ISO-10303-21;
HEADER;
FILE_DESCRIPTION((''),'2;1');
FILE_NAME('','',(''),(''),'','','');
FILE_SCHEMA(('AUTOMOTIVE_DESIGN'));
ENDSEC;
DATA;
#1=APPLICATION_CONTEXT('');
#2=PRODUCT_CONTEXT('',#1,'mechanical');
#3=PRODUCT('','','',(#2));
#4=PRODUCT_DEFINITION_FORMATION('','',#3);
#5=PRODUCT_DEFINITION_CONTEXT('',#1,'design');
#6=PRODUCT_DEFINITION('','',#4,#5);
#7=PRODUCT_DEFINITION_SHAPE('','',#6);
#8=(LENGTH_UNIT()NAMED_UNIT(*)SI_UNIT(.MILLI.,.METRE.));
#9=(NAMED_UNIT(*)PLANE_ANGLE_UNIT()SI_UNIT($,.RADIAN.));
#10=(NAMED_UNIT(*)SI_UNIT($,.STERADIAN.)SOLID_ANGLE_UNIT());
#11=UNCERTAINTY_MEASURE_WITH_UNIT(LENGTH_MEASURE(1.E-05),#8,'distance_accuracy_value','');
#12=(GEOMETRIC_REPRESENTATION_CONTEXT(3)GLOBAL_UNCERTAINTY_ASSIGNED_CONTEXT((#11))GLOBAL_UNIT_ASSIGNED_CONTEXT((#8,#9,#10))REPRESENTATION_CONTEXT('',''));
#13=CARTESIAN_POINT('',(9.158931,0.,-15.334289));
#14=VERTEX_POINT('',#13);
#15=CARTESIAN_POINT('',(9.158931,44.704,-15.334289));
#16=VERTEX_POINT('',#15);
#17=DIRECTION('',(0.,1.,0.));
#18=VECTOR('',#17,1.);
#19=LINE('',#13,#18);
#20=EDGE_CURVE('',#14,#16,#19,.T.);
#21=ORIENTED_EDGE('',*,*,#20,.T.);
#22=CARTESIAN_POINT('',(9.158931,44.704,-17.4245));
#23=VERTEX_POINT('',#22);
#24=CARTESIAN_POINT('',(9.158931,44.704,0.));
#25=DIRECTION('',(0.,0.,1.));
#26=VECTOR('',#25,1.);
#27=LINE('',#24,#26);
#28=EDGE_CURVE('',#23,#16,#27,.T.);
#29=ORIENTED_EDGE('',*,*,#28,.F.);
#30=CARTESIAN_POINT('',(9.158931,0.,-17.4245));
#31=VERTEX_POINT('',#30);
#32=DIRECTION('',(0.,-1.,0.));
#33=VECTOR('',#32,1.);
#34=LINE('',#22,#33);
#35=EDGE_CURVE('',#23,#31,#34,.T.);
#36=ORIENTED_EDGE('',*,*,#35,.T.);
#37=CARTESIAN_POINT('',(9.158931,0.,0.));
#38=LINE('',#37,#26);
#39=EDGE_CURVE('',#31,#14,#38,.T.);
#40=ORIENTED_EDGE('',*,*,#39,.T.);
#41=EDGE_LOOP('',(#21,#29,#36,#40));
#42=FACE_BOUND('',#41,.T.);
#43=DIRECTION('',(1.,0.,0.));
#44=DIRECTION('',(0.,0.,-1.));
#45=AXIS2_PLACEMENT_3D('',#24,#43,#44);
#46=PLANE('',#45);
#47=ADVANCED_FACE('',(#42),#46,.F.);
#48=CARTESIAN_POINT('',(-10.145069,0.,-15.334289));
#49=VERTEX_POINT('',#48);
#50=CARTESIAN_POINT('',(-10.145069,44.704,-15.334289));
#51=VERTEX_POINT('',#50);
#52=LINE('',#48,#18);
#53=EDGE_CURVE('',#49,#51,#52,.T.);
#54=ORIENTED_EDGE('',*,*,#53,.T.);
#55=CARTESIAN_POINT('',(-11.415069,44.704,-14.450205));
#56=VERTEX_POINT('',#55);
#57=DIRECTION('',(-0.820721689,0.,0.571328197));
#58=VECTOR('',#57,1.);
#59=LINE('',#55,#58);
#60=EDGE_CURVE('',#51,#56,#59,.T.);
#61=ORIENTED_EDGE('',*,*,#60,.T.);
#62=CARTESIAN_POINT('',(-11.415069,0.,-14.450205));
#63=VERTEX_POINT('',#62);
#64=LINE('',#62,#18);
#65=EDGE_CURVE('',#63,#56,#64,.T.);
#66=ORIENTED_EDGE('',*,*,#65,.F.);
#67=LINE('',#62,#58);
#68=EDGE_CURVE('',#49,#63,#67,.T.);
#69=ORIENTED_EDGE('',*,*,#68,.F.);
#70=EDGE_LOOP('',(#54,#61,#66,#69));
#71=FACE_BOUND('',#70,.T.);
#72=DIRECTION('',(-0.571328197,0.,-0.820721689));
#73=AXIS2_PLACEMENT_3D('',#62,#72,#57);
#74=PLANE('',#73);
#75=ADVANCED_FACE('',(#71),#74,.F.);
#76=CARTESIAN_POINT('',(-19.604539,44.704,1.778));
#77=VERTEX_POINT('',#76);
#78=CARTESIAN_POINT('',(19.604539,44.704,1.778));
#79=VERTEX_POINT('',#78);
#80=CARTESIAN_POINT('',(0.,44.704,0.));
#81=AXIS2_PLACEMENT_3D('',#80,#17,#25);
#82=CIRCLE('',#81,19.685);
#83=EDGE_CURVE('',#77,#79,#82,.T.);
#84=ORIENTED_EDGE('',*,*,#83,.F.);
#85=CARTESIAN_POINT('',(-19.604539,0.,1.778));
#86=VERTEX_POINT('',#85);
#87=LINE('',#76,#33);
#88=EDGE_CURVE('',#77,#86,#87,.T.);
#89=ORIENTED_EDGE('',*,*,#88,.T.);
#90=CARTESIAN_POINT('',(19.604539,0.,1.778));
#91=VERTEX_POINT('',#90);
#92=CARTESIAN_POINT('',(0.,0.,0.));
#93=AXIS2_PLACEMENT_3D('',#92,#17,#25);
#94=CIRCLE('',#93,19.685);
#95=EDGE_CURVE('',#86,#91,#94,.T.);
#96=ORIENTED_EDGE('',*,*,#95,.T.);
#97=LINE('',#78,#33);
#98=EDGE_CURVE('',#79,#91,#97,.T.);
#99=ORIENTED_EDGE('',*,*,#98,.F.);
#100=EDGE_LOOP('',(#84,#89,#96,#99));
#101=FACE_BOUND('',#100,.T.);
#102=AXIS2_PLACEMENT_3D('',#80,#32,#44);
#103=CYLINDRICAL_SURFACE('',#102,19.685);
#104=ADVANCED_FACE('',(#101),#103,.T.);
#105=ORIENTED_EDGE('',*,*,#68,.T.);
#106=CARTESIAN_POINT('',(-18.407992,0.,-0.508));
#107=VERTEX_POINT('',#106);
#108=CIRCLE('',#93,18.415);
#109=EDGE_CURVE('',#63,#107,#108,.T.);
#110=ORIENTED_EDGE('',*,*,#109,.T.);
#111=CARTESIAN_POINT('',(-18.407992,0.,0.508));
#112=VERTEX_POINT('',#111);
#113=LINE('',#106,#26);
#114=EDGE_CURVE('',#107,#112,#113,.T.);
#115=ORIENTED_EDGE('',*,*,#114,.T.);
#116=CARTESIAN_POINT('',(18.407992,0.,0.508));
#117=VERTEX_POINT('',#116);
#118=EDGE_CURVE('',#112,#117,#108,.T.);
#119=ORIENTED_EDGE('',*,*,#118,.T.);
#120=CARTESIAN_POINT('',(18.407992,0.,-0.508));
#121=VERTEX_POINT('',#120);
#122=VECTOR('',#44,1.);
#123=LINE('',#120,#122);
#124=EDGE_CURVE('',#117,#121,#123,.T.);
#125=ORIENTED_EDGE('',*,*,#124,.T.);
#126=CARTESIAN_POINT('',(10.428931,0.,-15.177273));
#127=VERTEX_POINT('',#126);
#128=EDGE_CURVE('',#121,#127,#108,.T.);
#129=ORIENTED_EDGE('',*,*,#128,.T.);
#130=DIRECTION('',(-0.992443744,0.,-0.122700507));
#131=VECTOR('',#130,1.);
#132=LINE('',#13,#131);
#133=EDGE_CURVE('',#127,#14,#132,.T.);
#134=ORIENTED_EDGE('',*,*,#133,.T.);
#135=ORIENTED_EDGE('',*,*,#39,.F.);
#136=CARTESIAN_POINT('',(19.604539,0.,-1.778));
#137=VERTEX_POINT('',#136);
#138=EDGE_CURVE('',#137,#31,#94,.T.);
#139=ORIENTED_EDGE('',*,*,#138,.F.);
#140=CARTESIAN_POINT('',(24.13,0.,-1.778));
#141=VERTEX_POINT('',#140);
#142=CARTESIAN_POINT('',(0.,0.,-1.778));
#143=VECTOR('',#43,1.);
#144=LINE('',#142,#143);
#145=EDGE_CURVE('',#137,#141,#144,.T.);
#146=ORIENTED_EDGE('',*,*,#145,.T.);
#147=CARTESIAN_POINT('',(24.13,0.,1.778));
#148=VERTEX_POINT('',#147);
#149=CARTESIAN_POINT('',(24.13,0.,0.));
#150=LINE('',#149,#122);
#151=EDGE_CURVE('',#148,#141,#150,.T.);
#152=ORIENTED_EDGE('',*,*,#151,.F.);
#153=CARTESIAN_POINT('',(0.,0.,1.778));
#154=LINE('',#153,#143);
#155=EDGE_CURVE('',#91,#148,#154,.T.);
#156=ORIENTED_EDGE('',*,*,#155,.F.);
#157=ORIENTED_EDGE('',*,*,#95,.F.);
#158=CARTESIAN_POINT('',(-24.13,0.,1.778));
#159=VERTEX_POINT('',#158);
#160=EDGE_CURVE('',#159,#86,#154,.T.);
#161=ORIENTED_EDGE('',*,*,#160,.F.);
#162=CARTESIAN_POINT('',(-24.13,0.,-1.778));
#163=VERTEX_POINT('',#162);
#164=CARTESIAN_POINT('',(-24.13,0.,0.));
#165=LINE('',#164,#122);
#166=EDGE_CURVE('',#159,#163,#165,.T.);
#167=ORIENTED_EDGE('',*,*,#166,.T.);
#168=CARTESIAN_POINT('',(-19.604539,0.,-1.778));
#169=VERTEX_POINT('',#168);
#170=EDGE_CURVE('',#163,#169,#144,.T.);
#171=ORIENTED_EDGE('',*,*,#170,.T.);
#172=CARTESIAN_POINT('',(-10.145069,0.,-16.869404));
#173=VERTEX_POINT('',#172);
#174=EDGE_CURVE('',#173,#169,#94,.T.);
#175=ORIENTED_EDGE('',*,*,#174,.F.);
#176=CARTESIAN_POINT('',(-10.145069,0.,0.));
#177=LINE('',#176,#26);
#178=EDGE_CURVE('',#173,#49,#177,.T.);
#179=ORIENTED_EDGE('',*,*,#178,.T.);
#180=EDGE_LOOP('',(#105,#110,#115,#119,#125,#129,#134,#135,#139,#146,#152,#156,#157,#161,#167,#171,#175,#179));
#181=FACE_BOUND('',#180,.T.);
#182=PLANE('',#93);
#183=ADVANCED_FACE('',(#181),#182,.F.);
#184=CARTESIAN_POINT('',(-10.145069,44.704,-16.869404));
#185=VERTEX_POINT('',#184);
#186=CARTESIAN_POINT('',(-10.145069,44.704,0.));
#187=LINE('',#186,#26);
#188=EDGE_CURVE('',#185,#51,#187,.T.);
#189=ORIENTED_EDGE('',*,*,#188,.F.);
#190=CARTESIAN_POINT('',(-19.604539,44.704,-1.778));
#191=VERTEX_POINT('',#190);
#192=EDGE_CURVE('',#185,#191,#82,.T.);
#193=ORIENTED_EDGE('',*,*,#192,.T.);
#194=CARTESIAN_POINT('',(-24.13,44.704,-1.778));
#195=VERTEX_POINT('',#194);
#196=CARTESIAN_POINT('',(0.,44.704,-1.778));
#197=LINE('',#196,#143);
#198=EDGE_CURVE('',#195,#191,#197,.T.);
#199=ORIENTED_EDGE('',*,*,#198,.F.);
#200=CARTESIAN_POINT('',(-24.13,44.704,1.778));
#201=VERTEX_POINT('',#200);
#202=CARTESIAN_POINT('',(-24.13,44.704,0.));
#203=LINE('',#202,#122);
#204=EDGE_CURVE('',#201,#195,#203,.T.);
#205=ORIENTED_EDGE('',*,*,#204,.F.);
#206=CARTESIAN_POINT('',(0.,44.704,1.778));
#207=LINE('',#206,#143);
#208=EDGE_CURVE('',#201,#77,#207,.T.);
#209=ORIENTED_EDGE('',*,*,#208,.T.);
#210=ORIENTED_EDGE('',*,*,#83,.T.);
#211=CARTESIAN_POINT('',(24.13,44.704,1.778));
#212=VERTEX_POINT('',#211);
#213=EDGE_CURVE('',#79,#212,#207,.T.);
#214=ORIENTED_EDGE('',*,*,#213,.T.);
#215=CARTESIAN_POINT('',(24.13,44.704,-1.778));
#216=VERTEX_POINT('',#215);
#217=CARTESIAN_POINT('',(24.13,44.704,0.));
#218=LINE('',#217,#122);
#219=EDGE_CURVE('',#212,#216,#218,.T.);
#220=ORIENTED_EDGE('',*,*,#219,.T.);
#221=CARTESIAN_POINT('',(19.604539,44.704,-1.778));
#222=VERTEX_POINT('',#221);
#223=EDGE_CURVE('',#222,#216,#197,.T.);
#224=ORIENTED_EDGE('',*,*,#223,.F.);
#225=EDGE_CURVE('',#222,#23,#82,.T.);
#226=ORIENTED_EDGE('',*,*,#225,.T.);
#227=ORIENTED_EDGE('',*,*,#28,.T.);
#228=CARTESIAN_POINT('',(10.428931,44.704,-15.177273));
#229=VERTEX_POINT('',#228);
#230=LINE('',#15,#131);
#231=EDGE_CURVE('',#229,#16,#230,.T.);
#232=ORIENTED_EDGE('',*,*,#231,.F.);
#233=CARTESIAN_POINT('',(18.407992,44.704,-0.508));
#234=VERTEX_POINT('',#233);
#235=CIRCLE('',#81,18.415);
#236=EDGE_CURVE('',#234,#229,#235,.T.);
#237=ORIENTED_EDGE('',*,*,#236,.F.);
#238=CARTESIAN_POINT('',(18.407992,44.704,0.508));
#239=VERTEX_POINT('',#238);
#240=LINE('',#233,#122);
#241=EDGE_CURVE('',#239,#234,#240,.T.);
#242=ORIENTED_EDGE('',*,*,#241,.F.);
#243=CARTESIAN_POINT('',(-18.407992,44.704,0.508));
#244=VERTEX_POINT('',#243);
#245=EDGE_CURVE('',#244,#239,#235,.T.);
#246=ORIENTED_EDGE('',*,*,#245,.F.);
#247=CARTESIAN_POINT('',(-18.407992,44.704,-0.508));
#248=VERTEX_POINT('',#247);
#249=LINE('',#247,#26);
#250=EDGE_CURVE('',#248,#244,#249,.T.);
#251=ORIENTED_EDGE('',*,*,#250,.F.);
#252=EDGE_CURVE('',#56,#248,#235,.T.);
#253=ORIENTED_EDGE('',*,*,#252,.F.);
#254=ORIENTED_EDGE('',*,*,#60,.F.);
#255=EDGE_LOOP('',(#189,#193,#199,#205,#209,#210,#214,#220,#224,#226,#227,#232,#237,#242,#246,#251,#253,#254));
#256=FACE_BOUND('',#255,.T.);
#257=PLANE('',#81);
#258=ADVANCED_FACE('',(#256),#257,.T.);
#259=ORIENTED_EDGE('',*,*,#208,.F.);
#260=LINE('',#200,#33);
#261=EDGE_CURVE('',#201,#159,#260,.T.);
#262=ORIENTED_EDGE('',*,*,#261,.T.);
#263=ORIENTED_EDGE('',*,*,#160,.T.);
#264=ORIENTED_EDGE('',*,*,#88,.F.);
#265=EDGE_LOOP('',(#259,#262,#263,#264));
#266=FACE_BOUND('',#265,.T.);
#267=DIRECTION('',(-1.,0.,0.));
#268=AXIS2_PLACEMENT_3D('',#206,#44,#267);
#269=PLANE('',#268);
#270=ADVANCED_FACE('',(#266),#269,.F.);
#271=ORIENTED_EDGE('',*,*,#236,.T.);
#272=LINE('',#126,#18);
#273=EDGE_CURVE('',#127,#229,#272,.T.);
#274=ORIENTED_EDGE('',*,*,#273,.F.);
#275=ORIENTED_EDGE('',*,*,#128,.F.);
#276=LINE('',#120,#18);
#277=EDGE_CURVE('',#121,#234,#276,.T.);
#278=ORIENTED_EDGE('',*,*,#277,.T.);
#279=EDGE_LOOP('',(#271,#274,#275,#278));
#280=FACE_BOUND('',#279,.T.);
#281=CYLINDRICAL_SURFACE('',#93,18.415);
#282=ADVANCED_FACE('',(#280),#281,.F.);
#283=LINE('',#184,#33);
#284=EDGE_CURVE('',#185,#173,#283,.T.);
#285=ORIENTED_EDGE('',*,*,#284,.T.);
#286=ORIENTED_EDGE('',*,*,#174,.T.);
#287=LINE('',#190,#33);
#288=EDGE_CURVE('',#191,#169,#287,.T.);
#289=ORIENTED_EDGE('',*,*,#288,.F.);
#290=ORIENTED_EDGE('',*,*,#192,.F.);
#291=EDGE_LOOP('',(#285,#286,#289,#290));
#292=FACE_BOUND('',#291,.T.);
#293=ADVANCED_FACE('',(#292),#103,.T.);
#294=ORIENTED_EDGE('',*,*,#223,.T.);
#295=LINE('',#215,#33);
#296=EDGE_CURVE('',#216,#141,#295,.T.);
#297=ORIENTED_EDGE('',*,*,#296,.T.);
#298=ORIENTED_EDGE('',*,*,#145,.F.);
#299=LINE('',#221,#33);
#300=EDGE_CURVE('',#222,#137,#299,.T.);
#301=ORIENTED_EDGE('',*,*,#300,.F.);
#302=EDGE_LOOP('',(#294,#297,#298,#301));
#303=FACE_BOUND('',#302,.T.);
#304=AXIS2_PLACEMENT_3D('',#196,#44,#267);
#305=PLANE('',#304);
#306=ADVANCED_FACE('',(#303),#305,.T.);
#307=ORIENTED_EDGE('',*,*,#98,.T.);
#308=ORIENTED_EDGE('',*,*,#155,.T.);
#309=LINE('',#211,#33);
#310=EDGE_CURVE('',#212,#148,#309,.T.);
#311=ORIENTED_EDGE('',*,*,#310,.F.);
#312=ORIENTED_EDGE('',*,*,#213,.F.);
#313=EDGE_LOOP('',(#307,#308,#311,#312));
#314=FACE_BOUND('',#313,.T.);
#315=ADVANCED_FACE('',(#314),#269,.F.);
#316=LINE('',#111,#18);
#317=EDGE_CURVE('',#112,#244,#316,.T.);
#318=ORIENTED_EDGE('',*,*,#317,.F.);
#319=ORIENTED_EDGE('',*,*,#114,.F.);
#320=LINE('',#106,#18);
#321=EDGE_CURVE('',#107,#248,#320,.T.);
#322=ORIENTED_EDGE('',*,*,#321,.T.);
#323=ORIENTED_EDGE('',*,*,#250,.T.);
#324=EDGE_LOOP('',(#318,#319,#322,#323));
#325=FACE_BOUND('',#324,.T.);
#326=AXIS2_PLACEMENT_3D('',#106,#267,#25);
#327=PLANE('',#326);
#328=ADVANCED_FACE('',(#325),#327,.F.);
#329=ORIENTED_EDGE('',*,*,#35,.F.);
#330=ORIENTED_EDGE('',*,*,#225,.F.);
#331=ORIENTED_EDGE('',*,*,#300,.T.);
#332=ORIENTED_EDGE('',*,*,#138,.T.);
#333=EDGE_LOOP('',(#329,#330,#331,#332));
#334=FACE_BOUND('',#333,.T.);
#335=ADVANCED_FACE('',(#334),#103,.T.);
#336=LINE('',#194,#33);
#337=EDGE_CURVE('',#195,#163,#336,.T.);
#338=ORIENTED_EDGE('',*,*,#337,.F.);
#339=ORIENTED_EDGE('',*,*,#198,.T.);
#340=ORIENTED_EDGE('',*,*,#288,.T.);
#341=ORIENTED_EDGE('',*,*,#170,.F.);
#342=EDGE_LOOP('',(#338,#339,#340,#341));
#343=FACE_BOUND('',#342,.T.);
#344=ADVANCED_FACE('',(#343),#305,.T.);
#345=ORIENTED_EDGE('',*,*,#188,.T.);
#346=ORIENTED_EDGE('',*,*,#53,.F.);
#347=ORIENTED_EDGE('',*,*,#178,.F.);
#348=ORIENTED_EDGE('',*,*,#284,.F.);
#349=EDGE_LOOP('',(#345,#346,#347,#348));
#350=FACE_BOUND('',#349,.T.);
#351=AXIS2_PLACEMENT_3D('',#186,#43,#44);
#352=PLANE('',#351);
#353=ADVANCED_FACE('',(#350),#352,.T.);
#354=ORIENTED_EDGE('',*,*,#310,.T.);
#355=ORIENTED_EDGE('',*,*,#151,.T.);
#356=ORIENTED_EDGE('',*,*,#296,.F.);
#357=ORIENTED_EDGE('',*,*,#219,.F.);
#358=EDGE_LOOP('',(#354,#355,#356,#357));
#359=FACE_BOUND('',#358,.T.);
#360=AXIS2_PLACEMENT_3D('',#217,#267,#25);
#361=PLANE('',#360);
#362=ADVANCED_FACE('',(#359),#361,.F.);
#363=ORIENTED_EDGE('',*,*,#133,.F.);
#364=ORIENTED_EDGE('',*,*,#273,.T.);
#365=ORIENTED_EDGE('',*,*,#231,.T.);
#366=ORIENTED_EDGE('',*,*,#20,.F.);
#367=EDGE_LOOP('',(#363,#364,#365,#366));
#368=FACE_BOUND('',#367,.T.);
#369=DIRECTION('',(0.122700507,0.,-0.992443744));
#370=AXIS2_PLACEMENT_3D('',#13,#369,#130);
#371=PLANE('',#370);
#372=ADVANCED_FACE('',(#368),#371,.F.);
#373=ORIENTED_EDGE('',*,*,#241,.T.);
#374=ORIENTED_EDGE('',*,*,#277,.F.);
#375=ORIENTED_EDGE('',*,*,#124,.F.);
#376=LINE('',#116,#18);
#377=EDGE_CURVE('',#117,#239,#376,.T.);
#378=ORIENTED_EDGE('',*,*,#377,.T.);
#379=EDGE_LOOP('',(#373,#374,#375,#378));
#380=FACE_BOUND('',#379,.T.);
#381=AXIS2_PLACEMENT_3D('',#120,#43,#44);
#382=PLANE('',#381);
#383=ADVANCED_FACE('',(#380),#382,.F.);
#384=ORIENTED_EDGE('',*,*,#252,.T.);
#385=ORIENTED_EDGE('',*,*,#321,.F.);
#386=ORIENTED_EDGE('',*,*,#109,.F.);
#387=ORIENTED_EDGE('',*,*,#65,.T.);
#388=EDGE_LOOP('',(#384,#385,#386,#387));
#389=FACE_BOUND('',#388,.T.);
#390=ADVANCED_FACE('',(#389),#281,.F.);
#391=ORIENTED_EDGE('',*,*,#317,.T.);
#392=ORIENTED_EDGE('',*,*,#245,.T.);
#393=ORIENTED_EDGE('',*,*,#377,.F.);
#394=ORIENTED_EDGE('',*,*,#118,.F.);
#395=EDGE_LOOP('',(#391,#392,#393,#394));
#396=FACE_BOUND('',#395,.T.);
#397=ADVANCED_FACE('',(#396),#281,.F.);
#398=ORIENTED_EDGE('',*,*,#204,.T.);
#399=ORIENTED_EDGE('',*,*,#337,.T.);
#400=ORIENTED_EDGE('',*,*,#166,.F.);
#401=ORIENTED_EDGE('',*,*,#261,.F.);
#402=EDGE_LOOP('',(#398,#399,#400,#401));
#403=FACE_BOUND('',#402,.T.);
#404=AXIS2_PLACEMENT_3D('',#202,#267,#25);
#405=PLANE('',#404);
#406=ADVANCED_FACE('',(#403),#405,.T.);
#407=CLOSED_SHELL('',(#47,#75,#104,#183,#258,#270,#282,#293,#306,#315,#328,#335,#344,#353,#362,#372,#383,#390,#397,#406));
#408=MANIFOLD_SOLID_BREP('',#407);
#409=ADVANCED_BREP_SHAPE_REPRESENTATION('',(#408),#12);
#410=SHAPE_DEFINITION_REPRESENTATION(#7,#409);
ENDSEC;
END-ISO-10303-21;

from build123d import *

# Parameters (mm, degrees)
BOSS_EXTRUDE1_DEPTH = 44.704
CUT_EXTRUDE1_DEPTH  = 55.481223747
CUT_EXTRUDE2_DEPTH  = 55.481223747


with BuildPart() as part:
    # Sketch1 → Boss-Extrude1 (new body)
    with BuildSketch(Plane(origin=(0, 0, 0), x_dir=(1, 0, 0), z_dir=(0, 1, 0))):
        with BuildLine():
            Line((19.604538786, -1.778), (-19.604538786, -1.778))
            ThreePointArc((-19.604538786, -1.778), (0, -19.685), (19.604538786, -1.778))
        make_face()
        with BuildLine():
            Line((-24.13, 1.778), (-24.13, -1.778))
            Line((-24.13, -1.778), (-19.604538786, -1.778))
            ThreePointArc((-19.604538786, -1.778), (-19.685, 0), (-19.604538786, 1.778))
            Line((-19.604538786, 1.778), (-24.13, 1.778))
        make_face()
        with BuildLine():
            ThreePointArc((19.685, 0), (19.664874408, -0.889909828), (19.604538786, -1.778))
            Line((19.604538786, -1.778), (24.13, -1.778))
            Line((24.13, -1.778), (24.13, 1.778))
            Line((24.13, 1.778), (19.604538786, 1.778))
            ThreePointArc((19.604538786, 1.778), (19.664874408, 0.889909828), (19.685, 0))
        make_face()
        with BuildLine():
            ThreePointArc((-19.604538786, 1.778), (-19.685, 0), (-19.604538786, -1.778))
            Line((-19.604538786, -1.778), (19.604538786, -1.778))
            ThreePointArc((19.604538786, -1.778), (19.664874408, -0.889909828), (19.685, 0))
            ThreePointArc((19.685, 0), (19.664874408, 0.889909828), (19.604538786, 1.778))
            Line((19.604538786, 1.778), (-19.604538786, 1.778))
        make_face()
        with BuildLine():
            ThreePointArc((-10.145068686, 16.869404446), (-16.679250829, 10.454750919), (-19.604538786, 1.778))
            Line((-19.604538786, 1.778), (19.604538786, 1.778))
            ThreePointArc((19.604538786, 1.778), (16.371852187, 10.929852742), (9.158931314, 17.424500056))
            Line((9.158931314, 17.424500056), (9.158931314, 11.559229776))
            Line((9.158931314, 11.559229776), (-10.145068686, 11.559229776))
            Line((-10.145068686, 11.559229776), (-10.145068686, 16.869404446))
        make_face()
    extrude(amount=BOSS_EXTRUDE1_DEPTH)

    # Sketch3 → Cut-Extrude1 (cut, through all)
    with BuildSketch(Plane(origin=(0, 44.704, 0), x_dir=(1, 0, 0), z_dir=(0, 1, 0))):
        with BuildLine():
            Line((-18.40799177, 0.508), (-18.40799177, -0.508))
            ThreePointArc((-18.40799177, -0.508), (0, -18.415), (18.40799177, -0.508))
            Line((18.40799177, -0.508), (18.40799177, 0.508))
            ThreePointArc((18.40799177, 0.508), (16.176802096, 8.799051026), (10.428931314, 15.177273031))
            Line((10.428931314, 15.177273031), (10.428931314, 10.289229776))
            Line((10.428931314, 10.289229776), (-11.415068686, 10.289229776))
            Line((-11.415068686, 10.289229776), (-11.415068686, 14.450205254))
            ThreePointArc((-11.415068686, 14.450205254), (-16.460559091, 8.256041389), (-18.40799177, 0.508))
        make_face()
    extrude(amount=-CUT_EXTRUDE1_DEPTH, mode=Mode.SUBTRACT)

    # Sketch4 → Cut-Extrude2 (cut, through all)
    with BuildSketch(Plane(origin=(0, 44.704, 0), x_dir=(1, 0, 0), z_dir=(0, 1, 0))):
        Polygon((-11.415068686, 14.450205254), (-10.145068686, 15.334289128), (9.158931314, 15.334289128), (10.428931314, 15.177273031), (10.428931314, 10.289229776), (-11.415068686, 10.289229776), align=None)
    extrude(amount=-CUT_EXTRUDE2_DEPTH, mode=Mode.SUBTRACT)


solid = part.part
